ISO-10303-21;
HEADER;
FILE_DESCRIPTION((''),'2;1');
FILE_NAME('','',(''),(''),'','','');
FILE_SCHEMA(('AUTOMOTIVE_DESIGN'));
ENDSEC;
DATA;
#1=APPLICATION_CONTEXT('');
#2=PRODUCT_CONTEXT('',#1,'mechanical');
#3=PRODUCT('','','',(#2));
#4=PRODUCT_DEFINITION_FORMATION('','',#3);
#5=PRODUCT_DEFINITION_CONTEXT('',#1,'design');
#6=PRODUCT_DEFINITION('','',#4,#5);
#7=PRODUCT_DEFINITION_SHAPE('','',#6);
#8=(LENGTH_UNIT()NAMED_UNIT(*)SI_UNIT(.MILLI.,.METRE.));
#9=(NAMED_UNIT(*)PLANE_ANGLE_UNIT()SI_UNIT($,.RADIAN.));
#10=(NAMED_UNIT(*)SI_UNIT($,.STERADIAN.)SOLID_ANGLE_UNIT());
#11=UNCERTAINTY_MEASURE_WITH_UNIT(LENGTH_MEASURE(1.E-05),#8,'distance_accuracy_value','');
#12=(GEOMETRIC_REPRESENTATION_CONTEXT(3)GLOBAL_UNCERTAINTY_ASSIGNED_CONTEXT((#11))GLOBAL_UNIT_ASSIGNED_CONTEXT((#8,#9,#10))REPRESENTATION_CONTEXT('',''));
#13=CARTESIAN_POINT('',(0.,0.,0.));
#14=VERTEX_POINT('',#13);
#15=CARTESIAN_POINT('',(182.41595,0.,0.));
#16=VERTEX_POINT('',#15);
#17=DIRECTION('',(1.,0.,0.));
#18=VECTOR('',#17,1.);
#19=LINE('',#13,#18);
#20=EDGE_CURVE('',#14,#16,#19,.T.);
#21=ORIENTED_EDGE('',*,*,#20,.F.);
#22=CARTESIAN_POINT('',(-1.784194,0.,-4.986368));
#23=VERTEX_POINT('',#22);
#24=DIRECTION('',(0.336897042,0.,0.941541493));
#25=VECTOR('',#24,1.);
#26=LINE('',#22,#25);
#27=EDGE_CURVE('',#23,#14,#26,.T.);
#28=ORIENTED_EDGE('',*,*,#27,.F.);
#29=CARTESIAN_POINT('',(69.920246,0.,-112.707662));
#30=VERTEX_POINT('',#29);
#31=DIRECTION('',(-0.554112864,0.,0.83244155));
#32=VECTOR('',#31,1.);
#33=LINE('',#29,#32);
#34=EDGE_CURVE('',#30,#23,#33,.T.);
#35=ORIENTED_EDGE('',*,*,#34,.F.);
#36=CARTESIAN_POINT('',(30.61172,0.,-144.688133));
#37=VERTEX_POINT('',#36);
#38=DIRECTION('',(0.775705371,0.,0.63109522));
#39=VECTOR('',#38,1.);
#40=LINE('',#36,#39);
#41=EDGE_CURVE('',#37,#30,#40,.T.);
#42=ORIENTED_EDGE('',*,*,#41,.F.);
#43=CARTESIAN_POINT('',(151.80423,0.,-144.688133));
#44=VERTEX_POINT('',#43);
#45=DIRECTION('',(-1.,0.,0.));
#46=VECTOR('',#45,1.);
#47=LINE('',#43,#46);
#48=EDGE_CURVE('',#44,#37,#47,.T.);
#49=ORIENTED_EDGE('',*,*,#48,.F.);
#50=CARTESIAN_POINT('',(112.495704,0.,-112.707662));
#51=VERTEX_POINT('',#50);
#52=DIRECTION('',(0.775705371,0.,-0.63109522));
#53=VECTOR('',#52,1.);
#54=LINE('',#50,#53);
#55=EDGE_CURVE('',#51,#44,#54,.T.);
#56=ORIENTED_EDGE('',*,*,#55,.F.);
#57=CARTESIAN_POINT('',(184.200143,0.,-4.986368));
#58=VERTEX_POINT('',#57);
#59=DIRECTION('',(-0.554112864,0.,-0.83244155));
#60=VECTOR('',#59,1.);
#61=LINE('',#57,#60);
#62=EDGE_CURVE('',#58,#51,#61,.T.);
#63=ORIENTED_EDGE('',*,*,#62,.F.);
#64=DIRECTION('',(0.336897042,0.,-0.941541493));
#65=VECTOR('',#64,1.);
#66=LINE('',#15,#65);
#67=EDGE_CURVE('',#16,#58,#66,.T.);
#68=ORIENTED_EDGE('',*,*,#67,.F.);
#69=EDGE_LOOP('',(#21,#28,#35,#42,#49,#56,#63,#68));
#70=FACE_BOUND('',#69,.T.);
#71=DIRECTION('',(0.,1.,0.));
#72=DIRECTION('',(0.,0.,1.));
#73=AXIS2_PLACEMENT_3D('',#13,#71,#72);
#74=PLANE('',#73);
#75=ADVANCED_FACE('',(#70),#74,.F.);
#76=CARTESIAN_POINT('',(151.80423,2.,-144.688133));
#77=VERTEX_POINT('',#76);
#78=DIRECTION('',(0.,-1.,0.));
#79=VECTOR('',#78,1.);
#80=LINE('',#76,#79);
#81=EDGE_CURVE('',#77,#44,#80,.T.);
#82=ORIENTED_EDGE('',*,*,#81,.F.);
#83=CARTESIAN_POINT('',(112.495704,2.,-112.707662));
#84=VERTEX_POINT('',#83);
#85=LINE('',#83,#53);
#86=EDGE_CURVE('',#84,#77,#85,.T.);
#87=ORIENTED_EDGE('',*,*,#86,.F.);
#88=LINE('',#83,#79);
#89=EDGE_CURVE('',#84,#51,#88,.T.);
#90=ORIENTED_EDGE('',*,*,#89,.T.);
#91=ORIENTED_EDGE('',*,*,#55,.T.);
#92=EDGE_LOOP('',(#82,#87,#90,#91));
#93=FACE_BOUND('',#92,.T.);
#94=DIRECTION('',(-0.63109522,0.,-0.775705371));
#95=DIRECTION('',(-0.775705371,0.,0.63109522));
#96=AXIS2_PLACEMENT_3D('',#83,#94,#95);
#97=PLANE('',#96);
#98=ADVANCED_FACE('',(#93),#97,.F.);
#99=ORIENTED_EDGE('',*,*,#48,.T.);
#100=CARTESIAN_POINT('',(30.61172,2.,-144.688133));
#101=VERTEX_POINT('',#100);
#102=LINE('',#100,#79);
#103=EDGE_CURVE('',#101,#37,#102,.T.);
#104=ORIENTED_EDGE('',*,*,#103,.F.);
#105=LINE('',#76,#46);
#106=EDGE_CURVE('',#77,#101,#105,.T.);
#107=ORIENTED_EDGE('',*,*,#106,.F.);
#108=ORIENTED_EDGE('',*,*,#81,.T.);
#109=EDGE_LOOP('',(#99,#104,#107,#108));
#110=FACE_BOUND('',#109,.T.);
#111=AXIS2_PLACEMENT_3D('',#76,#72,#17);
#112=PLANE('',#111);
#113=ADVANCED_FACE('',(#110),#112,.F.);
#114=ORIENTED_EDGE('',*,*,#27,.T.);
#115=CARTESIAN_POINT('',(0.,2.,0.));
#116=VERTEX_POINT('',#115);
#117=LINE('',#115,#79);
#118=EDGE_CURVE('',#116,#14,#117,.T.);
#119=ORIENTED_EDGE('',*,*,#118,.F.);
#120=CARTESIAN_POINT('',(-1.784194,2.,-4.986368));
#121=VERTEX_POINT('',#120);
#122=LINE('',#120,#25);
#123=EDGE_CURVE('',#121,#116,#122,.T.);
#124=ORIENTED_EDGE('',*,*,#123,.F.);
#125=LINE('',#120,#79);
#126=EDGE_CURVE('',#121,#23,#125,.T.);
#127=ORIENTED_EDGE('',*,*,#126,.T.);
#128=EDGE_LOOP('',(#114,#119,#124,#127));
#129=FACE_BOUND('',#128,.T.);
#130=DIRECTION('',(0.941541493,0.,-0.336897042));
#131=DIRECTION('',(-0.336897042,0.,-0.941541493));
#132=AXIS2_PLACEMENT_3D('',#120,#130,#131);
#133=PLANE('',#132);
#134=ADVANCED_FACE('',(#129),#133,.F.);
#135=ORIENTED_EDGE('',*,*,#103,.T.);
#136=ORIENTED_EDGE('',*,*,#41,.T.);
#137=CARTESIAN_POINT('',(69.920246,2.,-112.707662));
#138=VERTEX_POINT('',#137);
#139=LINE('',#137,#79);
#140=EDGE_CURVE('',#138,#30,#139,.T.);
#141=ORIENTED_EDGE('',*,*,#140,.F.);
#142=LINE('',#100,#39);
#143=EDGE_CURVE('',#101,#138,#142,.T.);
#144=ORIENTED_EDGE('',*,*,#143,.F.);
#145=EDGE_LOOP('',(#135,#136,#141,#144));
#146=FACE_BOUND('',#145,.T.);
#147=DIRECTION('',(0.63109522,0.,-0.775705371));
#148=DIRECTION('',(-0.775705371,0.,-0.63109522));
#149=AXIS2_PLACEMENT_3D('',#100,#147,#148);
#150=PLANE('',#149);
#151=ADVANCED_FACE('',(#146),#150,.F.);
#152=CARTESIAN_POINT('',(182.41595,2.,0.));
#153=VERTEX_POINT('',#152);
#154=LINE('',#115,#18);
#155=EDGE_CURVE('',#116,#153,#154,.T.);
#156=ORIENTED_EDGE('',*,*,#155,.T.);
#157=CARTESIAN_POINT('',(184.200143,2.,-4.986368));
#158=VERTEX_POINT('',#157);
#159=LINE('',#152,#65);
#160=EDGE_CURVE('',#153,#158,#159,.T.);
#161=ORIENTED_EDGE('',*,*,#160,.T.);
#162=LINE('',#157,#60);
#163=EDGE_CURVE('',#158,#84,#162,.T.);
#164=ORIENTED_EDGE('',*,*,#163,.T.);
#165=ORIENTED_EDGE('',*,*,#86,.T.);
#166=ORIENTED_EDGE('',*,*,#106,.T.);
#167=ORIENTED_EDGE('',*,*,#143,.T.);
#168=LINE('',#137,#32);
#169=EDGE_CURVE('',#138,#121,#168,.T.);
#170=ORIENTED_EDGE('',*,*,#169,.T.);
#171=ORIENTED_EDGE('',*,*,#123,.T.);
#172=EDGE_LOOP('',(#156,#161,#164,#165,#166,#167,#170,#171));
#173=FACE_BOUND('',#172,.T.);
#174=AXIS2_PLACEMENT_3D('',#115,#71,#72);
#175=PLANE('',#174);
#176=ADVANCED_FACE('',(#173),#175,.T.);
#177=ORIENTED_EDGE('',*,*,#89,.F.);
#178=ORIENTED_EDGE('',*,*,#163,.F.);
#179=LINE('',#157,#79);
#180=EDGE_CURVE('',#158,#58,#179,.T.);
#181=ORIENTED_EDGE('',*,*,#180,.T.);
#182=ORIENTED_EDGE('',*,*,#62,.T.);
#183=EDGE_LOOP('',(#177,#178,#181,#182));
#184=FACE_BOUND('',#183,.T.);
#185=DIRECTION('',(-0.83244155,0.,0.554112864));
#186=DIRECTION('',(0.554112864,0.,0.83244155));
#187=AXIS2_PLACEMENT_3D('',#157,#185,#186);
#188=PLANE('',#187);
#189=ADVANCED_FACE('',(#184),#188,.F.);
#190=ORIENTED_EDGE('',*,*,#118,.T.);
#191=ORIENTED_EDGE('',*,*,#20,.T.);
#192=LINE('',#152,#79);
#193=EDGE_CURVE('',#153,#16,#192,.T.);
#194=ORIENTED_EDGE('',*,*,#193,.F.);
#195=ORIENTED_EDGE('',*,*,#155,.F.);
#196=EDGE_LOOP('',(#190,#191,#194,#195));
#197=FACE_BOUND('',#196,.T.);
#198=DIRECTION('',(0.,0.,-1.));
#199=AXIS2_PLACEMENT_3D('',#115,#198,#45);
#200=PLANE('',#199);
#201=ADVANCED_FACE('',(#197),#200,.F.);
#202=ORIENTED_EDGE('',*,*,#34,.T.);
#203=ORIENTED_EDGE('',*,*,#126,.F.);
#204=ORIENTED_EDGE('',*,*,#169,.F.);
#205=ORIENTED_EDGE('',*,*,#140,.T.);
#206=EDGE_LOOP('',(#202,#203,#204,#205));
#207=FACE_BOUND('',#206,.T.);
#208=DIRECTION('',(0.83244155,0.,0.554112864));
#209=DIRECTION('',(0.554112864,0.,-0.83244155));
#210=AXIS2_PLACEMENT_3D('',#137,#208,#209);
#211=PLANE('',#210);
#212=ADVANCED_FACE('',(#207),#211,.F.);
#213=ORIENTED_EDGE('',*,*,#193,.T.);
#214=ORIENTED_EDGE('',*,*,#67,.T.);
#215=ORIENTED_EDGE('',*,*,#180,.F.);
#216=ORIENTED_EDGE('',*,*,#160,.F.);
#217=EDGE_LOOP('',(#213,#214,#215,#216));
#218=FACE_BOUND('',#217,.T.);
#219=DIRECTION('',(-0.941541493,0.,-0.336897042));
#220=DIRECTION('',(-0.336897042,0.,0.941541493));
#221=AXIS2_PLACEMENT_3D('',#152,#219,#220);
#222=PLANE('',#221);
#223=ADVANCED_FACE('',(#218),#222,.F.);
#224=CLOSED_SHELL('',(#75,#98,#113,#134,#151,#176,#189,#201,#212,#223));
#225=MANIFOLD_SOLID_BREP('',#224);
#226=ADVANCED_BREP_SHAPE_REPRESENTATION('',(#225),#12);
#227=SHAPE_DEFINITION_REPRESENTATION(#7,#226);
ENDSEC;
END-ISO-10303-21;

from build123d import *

# Parameters (mm, degrees)
BOSS_EXTRU_1_DEPTH = 2


with BuildPart() as part:
    # Esquisse1 → Boss.-Extru.1 (new body)
    with BuildSketch(Plane(origin=(0, 0, 0), x_dir=(1, 0, 0), z_dir=(0, 1, 0))):
        Polygon((0, 0), (182.415949505, 0), (184.200143461, 4.986368037), (112.495703751, 112.707662375), (151.804229589, 144.688132907), (30.611719916, 144.688132907), (69.920245754, 112.707662375), (-1.784193956, 4.986368037), align=None)
    extrude(amount=BOSS_EXTRU_1_DEPTH)


solid = part.part
